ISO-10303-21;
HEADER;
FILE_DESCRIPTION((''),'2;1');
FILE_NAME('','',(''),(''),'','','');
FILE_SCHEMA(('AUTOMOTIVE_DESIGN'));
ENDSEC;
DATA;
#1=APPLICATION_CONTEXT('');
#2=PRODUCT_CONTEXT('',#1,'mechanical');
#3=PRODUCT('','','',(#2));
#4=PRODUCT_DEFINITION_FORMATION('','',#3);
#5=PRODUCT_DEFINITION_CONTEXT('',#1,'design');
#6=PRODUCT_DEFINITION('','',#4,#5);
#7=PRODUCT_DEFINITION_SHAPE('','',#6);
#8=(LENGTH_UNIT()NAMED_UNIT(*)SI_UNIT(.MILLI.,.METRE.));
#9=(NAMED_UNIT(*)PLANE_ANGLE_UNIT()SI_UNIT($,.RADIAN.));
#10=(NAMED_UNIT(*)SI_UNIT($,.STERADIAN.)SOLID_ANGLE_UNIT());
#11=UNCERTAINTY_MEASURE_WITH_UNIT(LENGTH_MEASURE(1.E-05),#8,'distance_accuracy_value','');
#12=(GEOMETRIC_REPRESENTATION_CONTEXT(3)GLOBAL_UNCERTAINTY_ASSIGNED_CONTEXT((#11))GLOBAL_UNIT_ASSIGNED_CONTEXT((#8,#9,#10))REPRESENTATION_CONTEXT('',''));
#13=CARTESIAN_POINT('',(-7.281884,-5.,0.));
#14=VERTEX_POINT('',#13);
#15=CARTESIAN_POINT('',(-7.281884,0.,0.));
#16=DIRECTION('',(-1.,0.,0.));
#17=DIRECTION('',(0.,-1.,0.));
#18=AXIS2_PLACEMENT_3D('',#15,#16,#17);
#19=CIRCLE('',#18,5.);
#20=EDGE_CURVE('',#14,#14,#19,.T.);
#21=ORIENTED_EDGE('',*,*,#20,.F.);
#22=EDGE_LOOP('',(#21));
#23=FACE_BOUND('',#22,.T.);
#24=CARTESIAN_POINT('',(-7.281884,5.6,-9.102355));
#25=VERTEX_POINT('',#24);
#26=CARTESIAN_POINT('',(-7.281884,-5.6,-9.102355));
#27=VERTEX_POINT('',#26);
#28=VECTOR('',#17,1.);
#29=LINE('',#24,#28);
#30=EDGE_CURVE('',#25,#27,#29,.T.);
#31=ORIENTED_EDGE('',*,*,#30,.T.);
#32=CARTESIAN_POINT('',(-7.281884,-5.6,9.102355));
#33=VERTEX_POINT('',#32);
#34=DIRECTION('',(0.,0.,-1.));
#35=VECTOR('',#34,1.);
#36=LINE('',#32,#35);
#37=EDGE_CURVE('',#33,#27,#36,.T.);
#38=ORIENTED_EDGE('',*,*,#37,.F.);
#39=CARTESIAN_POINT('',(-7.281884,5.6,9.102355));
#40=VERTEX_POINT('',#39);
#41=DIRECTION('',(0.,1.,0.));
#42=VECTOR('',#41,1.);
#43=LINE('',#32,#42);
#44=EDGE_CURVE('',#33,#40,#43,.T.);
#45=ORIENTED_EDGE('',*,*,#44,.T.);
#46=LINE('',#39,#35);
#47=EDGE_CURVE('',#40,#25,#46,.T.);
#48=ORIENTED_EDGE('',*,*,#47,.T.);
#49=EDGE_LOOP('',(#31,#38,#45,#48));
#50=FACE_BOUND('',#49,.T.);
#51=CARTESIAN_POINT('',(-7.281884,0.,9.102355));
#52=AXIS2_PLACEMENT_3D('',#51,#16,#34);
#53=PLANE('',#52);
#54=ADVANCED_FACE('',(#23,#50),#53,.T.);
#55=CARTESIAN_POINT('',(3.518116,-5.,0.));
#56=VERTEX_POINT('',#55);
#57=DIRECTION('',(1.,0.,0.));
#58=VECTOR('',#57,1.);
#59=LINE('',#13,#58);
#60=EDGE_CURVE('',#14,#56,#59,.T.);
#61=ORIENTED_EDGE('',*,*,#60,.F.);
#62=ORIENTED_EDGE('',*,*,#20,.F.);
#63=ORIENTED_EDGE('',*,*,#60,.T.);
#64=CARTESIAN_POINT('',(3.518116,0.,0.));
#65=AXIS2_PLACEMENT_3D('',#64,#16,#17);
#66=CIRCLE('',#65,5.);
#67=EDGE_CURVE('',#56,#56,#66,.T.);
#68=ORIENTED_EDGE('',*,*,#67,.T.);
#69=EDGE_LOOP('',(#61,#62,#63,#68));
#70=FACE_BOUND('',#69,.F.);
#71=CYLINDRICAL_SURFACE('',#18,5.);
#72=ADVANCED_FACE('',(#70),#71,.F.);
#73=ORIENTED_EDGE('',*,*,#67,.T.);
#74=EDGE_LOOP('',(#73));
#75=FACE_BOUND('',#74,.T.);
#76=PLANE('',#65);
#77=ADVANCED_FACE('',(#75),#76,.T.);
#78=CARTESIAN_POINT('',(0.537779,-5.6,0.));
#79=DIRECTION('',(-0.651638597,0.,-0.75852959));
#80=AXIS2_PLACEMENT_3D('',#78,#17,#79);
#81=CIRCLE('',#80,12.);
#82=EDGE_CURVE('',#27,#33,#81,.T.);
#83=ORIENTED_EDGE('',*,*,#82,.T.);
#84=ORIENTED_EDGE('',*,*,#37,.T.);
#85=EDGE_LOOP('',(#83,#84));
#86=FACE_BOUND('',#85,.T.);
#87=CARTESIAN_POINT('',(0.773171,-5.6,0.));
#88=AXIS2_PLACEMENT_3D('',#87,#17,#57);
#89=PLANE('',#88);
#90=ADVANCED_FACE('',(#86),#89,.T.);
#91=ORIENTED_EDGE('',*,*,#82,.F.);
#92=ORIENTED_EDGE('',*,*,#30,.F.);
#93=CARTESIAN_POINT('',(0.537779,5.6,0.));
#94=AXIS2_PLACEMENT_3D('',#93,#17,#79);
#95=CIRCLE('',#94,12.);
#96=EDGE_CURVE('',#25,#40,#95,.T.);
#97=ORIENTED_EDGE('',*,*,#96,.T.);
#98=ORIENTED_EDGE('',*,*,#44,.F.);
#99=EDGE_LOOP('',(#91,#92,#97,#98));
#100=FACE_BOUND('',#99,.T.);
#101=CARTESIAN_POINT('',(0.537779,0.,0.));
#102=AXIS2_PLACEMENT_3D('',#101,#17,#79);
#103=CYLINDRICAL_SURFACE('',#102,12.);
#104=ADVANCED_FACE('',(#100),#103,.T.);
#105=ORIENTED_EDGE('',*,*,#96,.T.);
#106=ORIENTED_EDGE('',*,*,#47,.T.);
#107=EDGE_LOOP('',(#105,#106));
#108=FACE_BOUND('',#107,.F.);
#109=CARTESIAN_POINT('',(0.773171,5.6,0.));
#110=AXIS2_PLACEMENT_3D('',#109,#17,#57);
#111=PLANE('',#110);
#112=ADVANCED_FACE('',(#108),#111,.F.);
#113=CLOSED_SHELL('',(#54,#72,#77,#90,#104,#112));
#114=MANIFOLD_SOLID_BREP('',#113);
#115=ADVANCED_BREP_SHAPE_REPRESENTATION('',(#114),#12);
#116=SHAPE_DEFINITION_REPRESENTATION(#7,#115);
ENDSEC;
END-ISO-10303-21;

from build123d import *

# Parameters (mm, degrees)
F1_DEPTH = 5.6
F2_R     = 5
F3_DEPTH = 10.8


with BuildPart() as f1:
    # F0 (on Front) → F1 (new body, symmetric)
    with BuildSketch(Plane.XZ):
        with BuildLine():
            Line((-7.281884, 9.102355), (-7.281884, -9.102355))
            ThreePointArc((-7.281884, -9.102355), (12.537779, 0), (-7.281884, 9.102355))
        make_face()
    extrude(amount=F1_DEPTH, both=True)

    # F2 (on face) → F3 (cut)
    with BuildSketch(Plane(origin=(-7.281884, 0, 0), x_dir=(0, -1, 0), z_dir=(-1, 0, 0))):
        Circle(F2_R)
    extrude(amount=-F3_DEPTH, mode=Mode.SUBTRACT)


solid = f1.part
